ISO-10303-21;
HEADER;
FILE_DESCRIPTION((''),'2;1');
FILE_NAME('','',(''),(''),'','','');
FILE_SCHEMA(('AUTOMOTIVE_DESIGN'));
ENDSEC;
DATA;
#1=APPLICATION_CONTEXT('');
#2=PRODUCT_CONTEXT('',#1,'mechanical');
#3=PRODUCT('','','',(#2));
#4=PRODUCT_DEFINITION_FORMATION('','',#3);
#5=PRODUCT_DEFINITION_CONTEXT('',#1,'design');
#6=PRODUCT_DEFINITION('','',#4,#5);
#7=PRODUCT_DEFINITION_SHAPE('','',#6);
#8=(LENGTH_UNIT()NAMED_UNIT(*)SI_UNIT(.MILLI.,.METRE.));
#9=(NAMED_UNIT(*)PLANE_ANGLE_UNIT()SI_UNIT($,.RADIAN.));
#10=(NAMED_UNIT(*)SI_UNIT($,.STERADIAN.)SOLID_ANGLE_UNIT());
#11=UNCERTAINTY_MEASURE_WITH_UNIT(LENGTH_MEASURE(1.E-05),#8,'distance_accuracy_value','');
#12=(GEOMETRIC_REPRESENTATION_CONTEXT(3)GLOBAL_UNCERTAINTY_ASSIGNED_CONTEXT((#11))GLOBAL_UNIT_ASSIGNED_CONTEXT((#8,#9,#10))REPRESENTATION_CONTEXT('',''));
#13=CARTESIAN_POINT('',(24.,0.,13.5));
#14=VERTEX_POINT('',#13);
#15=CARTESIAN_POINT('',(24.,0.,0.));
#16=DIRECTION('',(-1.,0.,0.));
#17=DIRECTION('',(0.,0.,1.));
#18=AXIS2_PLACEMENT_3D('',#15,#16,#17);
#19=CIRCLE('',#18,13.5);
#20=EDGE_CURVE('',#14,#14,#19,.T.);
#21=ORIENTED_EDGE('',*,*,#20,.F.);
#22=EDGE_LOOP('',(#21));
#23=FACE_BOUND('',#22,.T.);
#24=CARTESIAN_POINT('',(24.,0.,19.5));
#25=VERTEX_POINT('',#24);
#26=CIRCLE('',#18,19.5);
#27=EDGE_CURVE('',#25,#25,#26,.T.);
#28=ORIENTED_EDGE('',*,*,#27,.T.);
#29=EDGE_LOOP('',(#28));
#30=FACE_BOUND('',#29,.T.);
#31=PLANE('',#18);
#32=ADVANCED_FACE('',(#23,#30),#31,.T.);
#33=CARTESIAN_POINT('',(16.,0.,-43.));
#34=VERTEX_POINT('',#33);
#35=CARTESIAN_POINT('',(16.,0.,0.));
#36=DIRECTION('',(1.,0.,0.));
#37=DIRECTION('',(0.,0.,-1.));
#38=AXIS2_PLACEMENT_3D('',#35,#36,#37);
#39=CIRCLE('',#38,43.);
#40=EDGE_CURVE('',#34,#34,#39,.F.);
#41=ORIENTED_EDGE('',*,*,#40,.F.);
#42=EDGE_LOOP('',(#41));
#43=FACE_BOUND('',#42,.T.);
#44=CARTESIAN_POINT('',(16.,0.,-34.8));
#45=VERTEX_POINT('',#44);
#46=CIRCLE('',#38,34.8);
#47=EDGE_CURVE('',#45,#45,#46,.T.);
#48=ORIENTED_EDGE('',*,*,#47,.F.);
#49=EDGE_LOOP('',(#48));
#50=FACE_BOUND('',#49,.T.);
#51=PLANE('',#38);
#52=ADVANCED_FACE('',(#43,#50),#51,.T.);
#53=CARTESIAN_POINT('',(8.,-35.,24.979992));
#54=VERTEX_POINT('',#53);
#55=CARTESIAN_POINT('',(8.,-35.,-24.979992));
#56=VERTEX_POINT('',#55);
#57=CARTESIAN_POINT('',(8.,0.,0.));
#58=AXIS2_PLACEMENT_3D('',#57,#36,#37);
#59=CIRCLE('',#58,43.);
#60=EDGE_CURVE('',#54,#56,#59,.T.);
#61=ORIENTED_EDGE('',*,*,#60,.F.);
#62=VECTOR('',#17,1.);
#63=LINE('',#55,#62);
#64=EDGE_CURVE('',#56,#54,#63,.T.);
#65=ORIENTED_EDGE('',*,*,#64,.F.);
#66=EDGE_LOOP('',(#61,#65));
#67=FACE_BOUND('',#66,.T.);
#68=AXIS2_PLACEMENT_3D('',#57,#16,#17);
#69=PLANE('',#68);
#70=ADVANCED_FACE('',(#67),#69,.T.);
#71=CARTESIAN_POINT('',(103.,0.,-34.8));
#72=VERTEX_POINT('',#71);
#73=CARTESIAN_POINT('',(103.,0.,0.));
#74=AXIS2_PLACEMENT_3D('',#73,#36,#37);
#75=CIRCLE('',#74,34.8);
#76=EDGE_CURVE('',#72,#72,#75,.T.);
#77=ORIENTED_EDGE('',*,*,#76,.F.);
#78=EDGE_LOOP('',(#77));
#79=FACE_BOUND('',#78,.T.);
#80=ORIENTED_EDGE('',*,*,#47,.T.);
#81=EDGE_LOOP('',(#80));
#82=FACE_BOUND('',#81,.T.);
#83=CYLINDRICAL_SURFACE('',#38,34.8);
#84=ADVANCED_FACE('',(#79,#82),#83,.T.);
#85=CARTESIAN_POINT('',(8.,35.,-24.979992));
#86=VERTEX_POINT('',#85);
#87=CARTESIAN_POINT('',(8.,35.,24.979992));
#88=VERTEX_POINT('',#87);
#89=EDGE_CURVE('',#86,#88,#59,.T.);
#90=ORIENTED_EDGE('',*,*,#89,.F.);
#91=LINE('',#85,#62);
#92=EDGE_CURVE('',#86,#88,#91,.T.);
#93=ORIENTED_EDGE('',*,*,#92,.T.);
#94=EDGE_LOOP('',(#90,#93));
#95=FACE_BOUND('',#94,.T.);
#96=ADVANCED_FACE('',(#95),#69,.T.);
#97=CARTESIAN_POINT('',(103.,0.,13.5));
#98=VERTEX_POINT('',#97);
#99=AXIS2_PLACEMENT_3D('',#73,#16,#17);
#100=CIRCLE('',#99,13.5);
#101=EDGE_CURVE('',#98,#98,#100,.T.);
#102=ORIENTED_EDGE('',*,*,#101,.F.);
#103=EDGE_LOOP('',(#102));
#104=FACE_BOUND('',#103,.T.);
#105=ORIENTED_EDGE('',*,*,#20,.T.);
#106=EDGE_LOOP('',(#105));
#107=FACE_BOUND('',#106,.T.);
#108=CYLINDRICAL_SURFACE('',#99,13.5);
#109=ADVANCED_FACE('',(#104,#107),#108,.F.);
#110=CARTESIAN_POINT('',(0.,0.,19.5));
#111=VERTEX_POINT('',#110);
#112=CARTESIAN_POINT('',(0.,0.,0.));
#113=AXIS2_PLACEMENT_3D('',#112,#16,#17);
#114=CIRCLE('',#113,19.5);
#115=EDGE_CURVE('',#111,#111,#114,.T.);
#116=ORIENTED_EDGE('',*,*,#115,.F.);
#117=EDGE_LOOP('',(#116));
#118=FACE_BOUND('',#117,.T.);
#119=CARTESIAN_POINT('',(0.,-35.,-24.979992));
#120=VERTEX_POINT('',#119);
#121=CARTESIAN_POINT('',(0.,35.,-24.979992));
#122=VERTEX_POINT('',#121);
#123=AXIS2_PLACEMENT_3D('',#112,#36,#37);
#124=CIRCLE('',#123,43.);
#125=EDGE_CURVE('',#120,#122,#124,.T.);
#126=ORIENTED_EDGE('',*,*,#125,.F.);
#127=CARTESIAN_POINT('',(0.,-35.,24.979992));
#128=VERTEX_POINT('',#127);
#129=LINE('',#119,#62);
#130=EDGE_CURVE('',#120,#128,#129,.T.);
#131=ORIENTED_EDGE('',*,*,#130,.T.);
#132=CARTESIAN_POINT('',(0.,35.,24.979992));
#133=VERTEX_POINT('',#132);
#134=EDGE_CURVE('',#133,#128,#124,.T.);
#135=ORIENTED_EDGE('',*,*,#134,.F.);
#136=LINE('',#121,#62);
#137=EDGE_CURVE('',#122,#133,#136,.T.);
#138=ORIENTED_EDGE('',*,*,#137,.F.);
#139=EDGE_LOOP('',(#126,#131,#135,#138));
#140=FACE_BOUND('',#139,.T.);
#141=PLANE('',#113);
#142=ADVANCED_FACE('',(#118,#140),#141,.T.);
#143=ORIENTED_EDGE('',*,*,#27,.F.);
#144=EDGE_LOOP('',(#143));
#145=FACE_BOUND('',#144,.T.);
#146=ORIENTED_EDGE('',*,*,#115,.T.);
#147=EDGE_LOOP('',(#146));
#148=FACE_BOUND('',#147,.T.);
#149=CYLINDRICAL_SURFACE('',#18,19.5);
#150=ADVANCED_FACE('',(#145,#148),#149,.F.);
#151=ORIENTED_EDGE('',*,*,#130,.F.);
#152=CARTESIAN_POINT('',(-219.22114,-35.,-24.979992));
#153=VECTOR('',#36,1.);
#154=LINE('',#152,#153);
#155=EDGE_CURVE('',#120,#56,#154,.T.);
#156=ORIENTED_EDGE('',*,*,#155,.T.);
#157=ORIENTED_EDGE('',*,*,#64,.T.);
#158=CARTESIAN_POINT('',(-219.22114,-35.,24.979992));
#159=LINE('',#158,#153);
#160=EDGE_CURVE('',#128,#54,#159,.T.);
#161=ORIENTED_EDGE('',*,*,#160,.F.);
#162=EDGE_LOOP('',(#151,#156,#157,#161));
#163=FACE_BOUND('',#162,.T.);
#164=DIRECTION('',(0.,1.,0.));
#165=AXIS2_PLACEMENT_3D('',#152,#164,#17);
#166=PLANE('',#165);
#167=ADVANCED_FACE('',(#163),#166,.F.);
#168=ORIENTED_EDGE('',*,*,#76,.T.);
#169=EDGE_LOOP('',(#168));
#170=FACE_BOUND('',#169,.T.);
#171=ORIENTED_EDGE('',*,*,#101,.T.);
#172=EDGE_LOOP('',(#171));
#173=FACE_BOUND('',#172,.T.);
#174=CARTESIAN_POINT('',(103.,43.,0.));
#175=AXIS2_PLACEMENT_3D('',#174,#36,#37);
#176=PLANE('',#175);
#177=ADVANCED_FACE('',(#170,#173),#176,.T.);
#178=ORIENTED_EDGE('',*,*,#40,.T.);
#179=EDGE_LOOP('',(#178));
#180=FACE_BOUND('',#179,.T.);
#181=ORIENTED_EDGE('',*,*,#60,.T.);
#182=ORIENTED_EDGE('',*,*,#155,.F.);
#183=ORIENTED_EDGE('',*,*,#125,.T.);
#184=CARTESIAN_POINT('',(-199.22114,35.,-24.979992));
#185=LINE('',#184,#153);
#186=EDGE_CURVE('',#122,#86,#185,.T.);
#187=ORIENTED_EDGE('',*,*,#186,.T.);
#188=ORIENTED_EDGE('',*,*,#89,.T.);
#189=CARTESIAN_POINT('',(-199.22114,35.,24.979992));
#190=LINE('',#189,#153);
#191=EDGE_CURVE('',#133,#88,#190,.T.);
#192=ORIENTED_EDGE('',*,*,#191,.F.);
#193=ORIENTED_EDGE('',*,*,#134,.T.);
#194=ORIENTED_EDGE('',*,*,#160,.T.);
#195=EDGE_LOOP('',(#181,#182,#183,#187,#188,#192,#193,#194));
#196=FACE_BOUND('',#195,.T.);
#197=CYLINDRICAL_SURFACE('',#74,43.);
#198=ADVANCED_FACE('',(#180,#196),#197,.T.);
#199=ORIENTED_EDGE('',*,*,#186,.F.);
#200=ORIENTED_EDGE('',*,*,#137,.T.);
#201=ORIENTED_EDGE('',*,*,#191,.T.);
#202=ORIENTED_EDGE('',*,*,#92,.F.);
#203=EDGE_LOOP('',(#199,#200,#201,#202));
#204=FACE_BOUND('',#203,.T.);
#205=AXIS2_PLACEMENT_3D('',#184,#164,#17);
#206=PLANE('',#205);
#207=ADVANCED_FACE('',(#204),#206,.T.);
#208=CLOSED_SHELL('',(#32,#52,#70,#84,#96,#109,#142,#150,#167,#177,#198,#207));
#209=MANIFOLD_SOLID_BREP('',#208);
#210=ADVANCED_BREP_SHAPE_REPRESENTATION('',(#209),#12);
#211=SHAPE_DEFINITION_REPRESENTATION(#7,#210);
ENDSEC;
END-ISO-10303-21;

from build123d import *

# Parameters (mm, degrees)
ESQUISSE2_W                  = 103
ESQUISSE2_H                  = 43
ESQUISSE3_OUTSIDE_W          = 119.876
ESQUISSE3_OUTSIDE_H          = 119.876
ESQUISSE3_OUTSIDE_R          = 34.8
ENL_V_MAT_EXTRU_1_DEPTH      = 87
ENL_V_MAT_EXTRU_2_DEPTH      = 120.61187232
ENL_V_MAT_EXTRU_2_DEPTH_BACK = 8
ENL_V_MAT_EXTRU_3_DEPTH      = 120.61187232
ENL_V_MAT_EXTRU_3_DEPTH_BACK = 8
ESQUISSE7_R                  = 19.5
ENL_V_MAT_EXTRU_4_DEPTH      = 24
ESQUISSE8_R                  = 13.5
ENL_V_MAT_EXTRU_5_DEPTH      = 100.694533451


with BuildPart() as part:
    # Esquisse2 → Révolution1 (revolve)
    with BuildSketch(Plane.XY, mode=Mode.PRIVATE) as r_volution1_sk:
        with Locations((51.5, 21.5)):
            Rectangle(ESQUISSE2_W, ESQUISSE2_H)
    revolve(r_volution1_sk.sketch.rotate(Axis((103, 0, 0), (-1, 0, 0)), 90), axis=Axis((103, 0, 0), (-1, 0, 0)))

    # Esquisse3 outside → Enlèv. mat.-Extru.1 (cut)
    with BuildSketch(Plane(origin=(103, 0, 0), x_dir=(0, 0, -1), z_dir=(1, 0, 0))):
        Rectangle(ESQUISSE3_OUTSIDE_W, ESQUISSE3_OUTSIDE_H)
        Circle(ESQUISSE3_OUTSIDE_R, mode=Mode.SUBTRACT)
    extrude(amount=-ENL_V_MAT_EXTRU_1_DEPTH, mode=Mode.SUBTRACT)

    # Esquisse4 → Enlèv. mat.-Extru.2 (cut, two sides: drawn at the far end of the back side and taken through both)
    with BuildSketch(Plane.ZY.offset(-ENL_V_MAT_EXTRU_2_DEPTH_BACK)):
        Polygon((-241.912631386, 35), (-24.979991994, 35), (24.979991994, 35), (241.912631386, 35), (241.912631386, 468.865278784), (-241.912631386, 468.865278784), align=None)
    extrude(amount=ENL_V_MAT_EXTRU_2_DEPTH + ENL_V_MAT_EXTRU_2_DEPTH_BACK, mode=Mode.SUBTRACT)

    # Esquisse5 → Enlèv. mat.-Extru.3 (cut, two sides: drawn at the far end of the back side and taken through both)
    with BuildSketch(Plane.ZY.offset(-ENL_V_MAT_EXTRU_3_DEPTH_BACK)):
        Polygon((-241.912631386, -35), (-24.979991994, -35), (24.979991994, -35), (241.912631386, -35), (241.912631386, -468.865278784), (-241.912631386, -468.865278784), align=None)
    extrude(amount=ENL_V_MAT_EXTRU_3_DEPTH + ENL_V_MAT_EXTRU_3_DEPTH_BACK, mode=Mode.SUBTRACT)

    # Esquisse7 → Enlèv. mat.-Extru.4 (cut)
    with BuildSketch(Plane.ZY):
        Circle(ESQUISSE7_R)
    extrude(amount=-ENL_V_MAT_EXTRU_4_DEPTH, mode=Mode.SUBTRACT)

    # Esquisse8 → Enlèv. mat.-Extru.5 (cut, through all)
    with BuildSketch(Plane.ZY.offset(-24)):
        Circle(ESQUISSE8_R)
    extrude(amount=-ENL_V_MAT_EXTRU_5_DEPTH, mode=Mode.SUBTRACT)


solid = part.part
